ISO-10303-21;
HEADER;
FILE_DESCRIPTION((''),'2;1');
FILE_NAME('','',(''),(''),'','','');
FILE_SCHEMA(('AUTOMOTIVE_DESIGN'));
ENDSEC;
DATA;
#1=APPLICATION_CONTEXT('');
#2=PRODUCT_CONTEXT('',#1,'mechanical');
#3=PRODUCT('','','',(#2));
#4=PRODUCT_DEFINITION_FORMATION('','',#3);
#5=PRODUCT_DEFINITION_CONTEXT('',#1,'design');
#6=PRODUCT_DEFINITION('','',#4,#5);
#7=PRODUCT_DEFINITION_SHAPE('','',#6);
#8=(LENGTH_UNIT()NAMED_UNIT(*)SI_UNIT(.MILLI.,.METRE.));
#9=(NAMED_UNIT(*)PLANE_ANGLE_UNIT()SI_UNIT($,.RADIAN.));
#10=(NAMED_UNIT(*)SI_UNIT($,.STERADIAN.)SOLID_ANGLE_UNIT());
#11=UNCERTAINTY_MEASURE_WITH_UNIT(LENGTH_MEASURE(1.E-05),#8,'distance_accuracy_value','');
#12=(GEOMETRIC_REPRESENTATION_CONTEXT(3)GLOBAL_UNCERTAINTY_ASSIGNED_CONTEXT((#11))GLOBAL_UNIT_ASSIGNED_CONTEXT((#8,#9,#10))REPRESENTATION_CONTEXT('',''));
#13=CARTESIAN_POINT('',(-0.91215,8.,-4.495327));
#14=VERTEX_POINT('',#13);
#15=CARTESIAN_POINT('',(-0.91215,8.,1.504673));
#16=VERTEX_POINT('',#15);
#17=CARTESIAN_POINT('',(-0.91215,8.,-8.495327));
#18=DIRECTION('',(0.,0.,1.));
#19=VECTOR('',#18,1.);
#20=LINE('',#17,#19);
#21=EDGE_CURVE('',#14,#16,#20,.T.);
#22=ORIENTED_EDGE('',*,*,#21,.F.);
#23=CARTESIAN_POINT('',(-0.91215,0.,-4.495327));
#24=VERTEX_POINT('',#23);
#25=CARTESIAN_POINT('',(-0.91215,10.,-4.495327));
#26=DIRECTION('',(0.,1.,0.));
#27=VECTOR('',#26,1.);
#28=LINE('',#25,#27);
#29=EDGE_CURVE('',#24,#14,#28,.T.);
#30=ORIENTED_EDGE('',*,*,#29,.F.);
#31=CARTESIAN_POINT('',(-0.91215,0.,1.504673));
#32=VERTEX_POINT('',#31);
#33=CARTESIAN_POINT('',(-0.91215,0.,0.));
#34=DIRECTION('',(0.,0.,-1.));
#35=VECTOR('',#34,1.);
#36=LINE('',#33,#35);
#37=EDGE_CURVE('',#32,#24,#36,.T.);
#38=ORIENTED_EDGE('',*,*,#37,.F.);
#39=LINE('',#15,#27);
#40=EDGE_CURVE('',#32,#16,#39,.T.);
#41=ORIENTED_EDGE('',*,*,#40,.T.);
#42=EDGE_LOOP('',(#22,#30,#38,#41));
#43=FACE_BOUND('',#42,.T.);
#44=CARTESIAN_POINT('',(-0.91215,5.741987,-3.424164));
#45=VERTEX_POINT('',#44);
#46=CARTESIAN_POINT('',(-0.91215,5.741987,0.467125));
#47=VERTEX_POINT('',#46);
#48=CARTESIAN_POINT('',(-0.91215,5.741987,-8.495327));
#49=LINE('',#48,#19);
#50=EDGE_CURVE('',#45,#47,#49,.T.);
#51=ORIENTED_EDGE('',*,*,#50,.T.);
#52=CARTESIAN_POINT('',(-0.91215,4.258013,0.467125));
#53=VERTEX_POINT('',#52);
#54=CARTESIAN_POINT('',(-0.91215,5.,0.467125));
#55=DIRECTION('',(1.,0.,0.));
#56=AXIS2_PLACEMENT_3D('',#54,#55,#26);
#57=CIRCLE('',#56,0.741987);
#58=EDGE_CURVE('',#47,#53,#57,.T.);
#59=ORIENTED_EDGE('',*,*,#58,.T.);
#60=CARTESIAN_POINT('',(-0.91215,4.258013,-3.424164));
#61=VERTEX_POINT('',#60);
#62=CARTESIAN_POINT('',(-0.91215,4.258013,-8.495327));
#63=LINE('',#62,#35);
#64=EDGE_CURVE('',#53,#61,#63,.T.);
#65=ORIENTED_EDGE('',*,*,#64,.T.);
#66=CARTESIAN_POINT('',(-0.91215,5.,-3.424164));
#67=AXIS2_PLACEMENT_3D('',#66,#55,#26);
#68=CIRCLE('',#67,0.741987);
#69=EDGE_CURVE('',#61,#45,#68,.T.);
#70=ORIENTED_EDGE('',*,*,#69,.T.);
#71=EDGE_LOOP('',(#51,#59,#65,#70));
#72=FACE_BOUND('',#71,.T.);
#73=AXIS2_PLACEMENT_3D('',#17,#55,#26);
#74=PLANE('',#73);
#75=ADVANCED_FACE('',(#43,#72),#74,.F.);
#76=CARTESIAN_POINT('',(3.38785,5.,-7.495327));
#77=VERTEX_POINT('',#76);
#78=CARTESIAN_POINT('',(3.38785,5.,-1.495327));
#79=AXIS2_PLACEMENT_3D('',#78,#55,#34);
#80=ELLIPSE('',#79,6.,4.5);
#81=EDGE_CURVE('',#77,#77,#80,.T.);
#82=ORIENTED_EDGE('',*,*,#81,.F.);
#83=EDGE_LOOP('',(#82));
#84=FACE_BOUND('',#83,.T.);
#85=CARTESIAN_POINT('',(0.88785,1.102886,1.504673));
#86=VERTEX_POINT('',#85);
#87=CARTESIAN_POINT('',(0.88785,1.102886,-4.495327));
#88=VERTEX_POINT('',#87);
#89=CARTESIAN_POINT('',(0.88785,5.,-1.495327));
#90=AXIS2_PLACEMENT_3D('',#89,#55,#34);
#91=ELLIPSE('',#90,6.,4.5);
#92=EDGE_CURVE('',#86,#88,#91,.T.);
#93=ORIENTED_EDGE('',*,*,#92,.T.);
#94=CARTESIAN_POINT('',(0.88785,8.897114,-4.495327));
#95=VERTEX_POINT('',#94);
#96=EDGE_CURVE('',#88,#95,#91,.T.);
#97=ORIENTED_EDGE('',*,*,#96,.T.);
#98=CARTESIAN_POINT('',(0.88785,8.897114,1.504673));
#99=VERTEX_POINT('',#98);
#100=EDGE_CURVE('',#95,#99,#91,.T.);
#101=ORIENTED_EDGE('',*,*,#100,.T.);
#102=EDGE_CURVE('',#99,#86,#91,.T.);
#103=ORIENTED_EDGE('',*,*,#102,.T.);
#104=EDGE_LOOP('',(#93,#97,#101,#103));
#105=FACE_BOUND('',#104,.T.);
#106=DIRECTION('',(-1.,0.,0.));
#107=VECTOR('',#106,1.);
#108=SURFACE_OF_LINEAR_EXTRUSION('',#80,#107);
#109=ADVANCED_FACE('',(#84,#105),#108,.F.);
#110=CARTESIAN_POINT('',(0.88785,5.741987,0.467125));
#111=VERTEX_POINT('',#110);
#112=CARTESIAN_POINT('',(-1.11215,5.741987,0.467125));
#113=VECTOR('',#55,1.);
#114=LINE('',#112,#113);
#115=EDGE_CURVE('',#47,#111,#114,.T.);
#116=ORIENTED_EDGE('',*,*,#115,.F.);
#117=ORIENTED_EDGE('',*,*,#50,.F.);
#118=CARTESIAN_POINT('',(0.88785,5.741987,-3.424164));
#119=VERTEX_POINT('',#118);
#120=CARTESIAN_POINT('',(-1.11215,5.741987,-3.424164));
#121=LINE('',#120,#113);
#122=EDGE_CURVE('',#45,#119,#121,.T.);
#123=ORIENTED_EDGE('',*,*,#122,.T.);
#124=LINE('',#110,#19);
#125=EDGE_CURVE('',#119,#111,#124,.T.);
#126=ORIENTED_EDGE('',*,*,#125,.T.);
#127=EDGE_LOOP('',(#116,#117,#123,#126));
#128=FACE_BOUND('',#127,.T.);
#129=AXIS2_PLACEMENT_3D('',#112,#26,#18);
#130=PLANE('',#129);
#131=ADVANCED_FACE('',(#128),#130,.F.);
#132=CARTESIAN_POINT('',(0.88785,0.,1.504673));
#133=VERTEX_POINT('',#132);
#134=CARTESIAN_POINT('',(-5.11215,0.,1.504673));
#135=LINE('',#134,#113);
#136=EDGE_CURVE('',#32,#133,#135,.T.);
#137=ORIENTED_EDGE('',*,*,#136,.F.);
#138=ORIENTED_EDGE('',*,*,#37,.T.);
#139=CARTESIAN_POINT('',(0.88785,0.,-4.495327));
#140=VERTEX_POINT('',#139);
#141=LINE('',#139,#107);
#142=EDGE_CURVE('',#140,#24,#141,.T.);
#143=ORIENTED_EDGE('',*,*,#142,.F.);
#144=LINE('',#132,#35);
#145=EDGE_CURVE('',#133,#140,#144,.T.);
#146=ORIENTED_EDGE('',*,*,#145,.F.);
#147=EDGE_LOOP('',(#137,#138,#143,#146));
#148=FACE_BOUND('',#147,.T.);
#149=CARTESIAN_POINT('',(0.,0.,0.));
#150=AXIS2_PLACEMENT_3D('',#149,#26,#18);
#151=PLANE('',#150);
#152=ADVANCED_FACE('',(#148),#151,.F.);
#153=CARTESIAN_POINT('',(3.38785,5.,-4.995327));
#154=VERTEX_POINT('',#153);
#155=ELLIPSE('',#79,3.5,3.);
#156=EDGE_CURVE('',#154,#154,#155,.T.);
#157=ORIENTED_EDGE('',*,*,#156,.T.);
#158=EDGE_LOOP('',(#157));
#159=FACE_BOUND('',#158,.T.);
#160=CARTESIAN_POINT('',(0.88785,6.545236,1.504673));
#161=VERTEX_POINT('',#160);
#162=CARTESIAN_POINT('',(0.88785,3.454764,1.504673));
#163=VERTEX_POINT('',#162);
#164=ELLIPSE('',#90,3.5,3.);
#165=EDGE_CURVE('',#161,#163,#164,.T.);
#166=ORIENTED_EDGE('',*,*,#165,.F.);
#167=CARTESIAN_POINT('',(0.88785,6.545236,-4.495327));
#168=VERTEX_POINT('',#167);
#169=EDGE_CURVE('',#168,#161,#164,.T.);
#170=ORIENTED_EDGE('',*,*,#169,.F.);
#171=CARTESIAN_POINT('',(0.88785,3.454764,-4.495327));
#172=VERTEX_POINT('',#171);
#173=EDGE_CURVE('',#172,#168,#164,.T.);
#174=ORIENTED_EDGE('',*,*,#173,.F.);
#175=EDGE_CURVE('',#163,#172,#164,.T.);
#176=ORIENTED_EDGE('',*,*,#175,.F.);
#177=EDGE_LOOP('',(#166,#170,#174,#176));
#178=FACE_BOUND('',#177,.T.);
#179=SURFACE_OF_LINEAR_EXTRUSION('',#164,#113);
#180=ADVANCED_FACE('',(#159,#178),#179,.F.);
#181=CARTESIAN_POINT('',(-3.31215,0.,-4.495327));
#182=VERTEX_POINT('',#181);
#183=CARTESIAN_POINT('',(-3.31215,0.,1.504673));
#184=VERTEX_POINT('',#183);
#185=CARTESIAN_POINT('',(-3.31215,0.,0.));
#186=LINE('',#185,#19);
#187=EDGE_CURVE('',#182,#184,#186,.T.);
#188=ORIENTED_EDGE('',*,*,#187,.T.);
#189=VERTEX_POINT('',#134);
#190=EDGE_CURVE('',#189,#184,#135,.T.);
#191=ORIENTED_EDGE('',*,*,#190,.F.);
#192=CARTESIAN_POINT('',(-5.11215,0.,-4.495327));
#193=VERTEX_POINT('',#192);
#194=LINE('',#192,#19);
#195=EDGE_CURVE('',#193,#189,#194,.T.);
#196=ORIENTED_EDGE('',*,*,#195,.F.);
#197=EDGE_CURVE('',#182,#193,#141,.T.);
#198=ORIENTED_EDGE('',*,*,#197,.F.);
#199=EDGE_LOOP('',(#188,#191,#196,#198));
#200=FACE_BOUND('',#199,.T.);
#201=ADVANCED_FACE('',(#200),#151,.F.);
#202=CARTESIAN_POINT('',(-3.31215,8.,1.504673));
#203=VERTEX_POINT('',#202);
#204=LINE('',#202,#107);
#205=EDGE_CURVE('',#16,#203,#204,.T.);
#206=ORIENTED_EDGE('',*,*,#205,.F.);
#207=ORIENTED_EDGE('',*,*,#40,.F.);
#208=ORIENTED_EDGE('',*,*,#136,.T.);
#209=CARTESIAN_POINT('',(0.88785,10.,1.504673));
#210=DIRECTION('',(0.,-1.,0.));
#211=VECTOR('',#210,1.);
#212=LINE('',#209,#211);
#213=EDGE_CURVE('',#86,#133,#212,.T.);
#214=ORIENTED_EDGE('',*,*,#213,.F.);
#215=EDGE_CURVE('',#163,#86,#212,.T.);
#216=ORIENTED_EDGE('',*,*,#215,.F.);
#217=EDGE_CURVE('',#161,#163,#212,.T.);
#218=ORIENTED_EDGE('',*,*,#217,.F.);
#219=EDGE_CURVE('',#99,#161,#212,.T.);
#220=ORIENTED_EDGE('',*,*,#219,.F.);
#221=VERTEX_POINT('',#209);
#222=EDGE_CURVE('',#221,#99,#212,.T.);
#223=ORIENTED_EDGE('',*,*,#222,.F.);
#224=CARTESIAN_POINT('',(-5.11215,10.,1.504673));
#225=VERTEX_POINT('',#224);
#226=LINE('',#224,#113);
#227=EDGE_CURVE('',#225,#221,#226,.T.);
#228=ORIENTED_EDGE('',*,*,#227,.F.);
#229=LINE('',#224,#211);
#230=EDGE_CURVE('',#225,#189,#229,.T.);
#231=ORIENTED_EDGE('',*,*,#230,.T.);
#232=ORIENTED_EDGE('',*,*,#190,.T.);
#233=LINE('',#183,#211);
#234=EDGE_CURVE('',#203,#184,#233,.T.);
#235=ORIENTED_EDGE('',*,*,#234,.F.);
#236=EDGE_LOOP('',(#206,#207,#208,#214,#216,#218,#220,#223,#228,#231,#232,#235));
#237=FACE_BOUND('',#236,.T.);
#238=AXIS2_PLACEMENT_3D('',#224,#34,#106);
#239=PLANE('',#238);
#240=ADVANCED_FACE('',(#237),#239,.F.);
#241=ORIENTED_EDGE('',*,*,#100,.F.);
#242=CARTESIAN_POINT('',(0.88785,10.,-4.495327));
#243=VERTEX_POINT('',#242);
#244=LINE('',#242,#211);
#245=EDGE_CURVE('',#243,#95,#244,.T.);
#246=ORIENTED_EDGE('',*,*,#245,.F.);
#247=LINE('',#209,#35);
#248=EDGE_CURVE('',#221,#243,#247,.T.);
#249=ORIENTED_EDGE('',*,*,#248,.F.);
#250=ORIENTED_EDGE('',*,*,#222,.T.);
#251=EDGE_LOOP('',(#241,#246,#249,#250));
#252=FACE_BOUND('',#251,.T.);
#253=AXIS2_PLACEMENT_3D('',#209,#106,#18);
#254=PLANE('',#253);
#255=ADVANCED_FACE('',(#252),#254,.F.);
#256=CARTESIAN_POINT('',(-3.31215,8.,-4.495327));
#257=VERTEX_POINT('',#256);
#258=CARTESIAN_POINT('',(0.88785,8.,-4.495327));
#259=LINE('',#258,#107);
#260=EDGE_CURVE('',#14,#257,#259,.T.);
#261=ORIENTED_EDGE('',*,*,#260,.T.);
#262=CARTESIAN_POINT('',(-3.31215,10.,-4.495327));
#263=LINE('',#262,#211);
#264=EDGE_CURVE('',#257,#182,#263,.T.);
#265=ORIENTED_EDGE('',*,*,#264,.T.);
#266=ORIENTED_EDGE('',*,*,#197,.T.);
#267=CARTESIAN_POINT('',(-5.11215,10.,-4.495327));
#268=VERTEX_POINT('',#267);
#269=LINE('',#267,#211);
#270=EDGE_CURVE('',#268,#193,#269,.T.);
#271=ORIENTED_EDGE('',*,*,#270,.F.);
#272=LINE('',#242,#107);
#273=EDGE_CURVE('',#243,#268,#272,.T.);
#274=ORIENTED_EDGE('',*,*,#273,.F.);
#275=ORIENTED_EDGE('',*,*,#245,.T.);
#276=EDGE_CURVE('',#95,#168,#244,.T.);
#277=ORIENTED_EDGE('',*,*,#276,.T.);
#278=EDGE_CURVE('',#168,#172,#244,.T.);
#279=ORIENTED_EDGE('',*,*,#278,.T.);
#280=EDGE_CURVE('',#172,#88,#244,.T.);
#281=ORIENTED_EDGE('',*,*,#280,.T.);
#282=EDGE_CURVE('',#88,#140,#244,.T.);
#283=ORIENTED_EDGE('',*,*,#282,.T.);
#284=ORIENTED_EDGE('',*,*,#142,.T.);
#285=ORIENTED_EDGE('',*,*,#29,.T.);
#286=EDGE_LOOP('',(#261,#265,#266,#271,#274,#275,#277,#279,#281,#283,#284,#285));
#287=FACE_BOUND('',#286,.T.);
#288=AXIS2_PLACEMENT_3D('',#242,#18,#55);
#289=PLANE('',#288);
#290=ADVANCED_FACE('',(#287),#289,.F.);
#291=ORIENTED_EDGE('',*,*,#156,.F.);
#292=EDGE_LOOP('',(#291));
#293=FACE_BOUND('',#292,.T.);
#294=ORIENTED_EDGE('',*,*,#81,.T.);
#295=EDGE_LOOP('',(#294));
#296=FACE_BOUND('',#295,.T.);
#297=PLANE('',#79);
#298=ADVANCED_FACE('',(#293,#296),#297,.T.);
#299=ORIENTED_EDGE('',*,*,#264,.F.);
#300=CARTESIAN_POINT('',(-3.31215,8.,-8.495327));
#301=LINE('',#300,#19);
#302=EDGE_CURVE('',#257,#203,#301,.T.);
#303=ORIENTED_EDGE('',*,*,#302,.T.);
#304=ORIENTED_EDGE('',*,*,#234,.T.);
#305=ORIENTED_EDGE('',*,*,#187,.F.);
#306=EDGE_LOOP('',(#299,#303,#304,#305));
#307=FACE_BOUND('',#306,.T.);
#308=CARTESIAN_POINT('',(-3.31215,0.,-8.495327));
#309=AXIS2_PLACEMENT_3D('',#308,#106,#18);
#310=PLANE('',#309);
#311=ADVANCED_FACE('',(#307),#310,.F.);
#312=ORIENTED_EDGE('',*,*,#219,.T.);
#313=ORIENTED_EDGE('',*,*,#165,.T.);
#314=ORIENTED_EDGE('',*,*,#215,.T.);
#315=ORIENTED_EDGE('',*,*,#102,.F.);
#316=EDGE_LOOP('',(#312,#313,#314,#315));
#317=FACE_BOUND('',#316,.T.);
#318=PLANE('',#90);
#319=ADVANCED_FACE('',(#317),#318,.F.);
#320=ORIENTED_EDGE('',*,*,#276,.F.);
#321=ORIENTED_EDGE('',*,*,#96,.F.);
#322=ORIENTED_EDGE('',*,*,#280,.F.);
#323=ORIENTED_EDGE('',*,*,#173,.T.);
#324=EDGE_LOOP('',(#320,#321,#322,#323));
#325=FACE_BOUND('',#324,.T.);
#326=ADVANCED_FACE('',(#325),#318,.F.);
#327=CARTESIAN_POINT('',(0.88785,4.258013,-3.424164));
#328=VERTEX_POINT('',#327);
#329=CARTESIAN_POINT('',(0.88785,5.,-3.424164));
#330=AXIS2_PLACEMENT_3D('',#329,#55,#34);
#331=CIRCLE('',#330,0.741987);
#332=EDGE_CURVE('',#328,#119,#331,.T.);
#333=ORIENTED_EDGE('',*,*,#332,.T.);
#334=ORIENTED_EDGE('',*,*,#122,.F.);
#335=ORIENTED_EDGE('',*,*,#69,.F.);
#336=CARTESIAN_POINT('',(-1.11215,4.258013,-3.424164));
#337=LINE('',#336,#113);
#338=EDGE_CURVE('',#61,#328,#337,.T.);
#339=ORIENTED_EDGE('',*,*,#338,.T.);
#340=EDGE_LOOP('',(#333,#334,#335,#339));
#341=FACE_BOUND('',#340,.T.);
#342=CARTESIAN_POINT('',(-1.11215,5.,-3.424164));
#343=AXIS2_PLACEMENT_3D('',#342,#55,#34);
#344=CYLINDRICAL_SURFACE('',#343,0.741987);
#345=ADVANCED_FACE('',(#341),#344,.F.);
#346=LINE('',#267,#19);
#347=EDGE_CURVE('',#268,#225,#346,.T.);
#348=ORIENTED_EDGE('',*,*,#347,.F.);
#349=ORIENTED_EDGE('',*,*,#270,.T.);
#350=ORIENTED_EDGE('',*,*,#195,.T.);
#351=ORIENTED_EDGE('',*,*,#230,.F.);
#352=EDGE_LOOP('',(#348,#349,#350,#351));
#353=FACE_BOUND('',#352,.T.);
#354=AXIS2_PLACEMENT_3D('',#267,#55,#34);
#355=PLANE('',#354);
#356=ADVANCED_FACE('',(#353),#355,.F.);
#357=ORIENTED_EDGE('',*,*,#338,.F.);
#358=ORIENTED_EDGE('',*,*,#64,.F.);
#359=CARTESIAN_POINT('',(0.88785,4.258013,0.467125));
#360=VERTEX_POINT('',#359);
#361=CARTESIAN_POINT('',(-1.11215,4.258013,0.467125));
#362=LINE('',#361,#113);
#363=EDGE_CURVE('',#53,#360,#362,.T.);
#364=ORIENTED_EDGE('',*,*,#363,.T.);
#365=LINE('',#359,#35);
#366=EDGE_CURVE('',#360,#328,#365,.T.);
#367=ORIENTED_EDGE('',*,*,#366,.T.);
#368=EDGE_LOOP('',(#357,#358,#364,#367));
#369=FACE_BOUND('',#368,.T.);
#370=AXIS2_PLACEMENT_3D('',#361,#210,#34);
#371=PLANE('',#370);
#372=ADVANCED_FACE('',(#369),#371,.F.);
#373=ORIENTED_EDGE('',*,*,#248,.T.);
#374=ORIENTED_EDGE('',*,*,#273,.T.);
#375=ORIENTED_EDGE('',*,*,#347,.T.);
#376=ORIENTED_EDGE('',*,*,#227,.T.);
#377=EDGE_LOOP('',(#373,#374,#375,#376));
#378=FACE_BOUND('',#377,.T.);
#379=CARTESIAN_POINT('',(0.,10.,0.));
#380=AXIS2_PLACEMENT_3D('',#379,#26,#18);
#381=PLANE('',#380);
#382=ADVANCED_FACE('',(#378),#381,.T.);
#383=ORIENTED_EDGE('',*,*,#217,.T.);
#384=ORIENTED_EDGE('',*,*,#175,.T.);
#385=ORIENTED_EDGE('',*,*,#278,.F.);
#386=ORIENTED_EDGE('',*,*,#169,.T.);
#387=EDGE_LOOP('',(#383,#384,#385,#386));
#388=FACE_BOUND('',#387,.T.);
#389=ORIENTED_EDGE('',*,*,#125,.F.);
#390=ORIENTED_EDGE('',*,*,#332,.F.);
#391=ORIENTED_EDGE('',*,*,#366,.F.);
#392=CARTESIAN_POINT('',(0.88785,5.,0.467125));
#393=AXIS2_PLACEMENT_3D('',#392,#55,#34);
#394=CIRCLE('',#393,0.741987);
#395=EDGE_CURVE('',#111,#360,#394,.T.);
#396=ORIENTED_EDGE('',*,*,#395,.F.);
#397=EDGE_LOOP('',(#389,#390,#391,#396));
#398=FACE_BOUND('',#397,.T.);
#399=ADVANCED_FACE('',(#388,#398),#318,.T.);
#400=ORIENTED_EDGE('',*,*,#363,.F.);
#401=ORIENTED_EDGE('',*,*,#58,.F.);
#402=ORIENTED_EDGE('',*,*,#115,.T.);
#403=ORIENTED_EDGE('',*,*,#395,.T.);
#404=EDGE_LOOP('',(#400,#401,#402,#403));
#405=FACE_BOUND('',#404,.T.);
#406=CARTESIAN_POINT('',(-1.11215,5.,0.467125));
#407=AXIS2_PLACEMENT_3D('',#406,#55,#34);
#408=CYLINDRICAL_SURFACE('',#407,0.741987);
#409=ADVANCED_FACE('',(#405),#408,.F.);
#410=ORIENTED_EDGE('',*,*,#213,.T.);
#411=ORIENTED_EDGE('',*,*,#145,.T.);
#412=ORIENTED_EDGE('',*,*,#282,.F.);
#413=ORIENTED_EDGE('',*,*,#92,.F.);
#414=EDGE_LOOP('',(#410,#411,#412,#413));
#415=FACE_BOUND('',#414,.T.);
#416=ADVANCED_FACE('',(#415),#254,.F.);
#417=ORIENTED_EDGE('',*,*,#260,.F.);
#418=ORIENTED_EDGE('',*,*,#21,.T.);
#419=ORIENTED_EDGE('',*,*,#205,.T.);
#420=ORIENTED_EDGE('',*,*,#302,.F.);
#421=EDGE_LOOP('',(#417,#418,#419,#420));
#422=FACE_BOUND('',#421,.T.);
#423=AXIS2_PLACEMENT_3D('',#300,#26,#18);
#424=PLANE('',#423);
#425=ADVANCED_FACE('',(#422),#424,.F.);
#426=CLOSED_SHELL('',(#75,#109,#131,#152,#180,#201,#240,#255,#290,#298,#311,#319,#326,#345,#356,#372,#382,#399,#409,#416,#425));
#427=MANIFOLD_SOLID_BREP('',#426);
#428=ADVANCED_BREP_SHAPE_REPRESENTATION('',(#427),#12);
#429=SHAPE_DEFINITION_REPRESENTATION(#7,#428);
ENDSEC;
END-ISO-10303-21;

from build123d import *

# Parameters (mm, degrees)
SKETCH_1_W          = 6
SKETCH_1_H          = 6
EXTRUDE_1_DEPTH     = 10
SKETCH_2_W          = 2.4
SKETCH_2_H          = 8
CUT_EXTRUDE_1_DEPTH = 10
SKETCH_3_RX         = 6
SKETCH_3_RY         = 4.5
EXTRUDE_2_DEPTH     = 2.5
SKETCH_4_RX         = 3.5
SKETCH_4_RY         = 3
CUT_EXTRUDE_3_DEPTH = 2.5
CUT_EXTRUDE_4_DEPTH = 2


with BuildPart() as part:
    # 草图1 → 凸台-拉伸1 (new body)
    with BuildSketch(Plane(origin=(0, 0, 0), x_dir=(1, 0, 0), z_dir=(0, 1, 0))):
        with Locations((-2.112149533, 1.495327103)):
            Rectangle(SKETCH_1_W, SKETCH_1_H)
    extrude(amount=EXTRUDE_1_DEPTH)

    # 草图2 → 切除-拉伸1 (cut)
    with BuildSketch(Plane.XY.offset(1.504672897)):
        with Locations((-2.112149533, 4)):
            Rectangle(SKETCH_2_W, SKETCH_2_H)
    extrude(amount=-CUT_EXTRUDE_1_DEPTH, mode=Mode.SUBTRACT)

    # 草图3 → 凸台-拉伸2 (add)
    with BuildSketch(Plane(origin=(0.887850467, 0, 0), x_dir=(0, 0, -1), z_dir=(1, 0, 0))):
        with Locations(Location((1.495327103, 5), (0, 0, 0))):
            Ellipse(SKETCH_3_RX, SKETCH_3_RY)
    extrude(amount=EXTRUDE_2_DEPTH)

    # 草图4 → 切除-拉伸3 (cut)
    with BuildSketch(Plane(origin=(3.387850467, 0, 0), x_dir=(0, 0, -1), z_dir=(1, 0, 0))):
        with Locations(Location((1.495327103, 5), (0, 0, 180))):
            Ellipse(SKETCH_4_RX, SKETCH_4_RY)
    extrude(amount=-CUT_EXTRUDE_3_DEPTH, mode=Mode.SUBTRACT)

    # 草图5 → 切除-拉伸4 (cut)
    with BuildSketch(Plane(origin=(0.887850467, 0, 0), x_dir=(0, 0, -1), z_dir=(1, 0, 0))):
        with BuildLine():
            Line((-0.467124992, 5.741987188), (3.424164273, 5.741987188))
            ThreePointArc((3.424164273, 5.741987188), (4.166151461, 5), (3.424164273, 4.258012812))
            Line((3.424164273, 4.258012812), (-0.467124992, 4.258012812))
            ThreePointArc((-0.467124992, 4.258012812), (-1.20911218, 5), (-0.467124992, 5.741987188))
        make_face()
    extrude(amount=-CUT_EXTRUDE_4_DEPTH, mode=Mode.SUBTRACT)


solid = part.part
